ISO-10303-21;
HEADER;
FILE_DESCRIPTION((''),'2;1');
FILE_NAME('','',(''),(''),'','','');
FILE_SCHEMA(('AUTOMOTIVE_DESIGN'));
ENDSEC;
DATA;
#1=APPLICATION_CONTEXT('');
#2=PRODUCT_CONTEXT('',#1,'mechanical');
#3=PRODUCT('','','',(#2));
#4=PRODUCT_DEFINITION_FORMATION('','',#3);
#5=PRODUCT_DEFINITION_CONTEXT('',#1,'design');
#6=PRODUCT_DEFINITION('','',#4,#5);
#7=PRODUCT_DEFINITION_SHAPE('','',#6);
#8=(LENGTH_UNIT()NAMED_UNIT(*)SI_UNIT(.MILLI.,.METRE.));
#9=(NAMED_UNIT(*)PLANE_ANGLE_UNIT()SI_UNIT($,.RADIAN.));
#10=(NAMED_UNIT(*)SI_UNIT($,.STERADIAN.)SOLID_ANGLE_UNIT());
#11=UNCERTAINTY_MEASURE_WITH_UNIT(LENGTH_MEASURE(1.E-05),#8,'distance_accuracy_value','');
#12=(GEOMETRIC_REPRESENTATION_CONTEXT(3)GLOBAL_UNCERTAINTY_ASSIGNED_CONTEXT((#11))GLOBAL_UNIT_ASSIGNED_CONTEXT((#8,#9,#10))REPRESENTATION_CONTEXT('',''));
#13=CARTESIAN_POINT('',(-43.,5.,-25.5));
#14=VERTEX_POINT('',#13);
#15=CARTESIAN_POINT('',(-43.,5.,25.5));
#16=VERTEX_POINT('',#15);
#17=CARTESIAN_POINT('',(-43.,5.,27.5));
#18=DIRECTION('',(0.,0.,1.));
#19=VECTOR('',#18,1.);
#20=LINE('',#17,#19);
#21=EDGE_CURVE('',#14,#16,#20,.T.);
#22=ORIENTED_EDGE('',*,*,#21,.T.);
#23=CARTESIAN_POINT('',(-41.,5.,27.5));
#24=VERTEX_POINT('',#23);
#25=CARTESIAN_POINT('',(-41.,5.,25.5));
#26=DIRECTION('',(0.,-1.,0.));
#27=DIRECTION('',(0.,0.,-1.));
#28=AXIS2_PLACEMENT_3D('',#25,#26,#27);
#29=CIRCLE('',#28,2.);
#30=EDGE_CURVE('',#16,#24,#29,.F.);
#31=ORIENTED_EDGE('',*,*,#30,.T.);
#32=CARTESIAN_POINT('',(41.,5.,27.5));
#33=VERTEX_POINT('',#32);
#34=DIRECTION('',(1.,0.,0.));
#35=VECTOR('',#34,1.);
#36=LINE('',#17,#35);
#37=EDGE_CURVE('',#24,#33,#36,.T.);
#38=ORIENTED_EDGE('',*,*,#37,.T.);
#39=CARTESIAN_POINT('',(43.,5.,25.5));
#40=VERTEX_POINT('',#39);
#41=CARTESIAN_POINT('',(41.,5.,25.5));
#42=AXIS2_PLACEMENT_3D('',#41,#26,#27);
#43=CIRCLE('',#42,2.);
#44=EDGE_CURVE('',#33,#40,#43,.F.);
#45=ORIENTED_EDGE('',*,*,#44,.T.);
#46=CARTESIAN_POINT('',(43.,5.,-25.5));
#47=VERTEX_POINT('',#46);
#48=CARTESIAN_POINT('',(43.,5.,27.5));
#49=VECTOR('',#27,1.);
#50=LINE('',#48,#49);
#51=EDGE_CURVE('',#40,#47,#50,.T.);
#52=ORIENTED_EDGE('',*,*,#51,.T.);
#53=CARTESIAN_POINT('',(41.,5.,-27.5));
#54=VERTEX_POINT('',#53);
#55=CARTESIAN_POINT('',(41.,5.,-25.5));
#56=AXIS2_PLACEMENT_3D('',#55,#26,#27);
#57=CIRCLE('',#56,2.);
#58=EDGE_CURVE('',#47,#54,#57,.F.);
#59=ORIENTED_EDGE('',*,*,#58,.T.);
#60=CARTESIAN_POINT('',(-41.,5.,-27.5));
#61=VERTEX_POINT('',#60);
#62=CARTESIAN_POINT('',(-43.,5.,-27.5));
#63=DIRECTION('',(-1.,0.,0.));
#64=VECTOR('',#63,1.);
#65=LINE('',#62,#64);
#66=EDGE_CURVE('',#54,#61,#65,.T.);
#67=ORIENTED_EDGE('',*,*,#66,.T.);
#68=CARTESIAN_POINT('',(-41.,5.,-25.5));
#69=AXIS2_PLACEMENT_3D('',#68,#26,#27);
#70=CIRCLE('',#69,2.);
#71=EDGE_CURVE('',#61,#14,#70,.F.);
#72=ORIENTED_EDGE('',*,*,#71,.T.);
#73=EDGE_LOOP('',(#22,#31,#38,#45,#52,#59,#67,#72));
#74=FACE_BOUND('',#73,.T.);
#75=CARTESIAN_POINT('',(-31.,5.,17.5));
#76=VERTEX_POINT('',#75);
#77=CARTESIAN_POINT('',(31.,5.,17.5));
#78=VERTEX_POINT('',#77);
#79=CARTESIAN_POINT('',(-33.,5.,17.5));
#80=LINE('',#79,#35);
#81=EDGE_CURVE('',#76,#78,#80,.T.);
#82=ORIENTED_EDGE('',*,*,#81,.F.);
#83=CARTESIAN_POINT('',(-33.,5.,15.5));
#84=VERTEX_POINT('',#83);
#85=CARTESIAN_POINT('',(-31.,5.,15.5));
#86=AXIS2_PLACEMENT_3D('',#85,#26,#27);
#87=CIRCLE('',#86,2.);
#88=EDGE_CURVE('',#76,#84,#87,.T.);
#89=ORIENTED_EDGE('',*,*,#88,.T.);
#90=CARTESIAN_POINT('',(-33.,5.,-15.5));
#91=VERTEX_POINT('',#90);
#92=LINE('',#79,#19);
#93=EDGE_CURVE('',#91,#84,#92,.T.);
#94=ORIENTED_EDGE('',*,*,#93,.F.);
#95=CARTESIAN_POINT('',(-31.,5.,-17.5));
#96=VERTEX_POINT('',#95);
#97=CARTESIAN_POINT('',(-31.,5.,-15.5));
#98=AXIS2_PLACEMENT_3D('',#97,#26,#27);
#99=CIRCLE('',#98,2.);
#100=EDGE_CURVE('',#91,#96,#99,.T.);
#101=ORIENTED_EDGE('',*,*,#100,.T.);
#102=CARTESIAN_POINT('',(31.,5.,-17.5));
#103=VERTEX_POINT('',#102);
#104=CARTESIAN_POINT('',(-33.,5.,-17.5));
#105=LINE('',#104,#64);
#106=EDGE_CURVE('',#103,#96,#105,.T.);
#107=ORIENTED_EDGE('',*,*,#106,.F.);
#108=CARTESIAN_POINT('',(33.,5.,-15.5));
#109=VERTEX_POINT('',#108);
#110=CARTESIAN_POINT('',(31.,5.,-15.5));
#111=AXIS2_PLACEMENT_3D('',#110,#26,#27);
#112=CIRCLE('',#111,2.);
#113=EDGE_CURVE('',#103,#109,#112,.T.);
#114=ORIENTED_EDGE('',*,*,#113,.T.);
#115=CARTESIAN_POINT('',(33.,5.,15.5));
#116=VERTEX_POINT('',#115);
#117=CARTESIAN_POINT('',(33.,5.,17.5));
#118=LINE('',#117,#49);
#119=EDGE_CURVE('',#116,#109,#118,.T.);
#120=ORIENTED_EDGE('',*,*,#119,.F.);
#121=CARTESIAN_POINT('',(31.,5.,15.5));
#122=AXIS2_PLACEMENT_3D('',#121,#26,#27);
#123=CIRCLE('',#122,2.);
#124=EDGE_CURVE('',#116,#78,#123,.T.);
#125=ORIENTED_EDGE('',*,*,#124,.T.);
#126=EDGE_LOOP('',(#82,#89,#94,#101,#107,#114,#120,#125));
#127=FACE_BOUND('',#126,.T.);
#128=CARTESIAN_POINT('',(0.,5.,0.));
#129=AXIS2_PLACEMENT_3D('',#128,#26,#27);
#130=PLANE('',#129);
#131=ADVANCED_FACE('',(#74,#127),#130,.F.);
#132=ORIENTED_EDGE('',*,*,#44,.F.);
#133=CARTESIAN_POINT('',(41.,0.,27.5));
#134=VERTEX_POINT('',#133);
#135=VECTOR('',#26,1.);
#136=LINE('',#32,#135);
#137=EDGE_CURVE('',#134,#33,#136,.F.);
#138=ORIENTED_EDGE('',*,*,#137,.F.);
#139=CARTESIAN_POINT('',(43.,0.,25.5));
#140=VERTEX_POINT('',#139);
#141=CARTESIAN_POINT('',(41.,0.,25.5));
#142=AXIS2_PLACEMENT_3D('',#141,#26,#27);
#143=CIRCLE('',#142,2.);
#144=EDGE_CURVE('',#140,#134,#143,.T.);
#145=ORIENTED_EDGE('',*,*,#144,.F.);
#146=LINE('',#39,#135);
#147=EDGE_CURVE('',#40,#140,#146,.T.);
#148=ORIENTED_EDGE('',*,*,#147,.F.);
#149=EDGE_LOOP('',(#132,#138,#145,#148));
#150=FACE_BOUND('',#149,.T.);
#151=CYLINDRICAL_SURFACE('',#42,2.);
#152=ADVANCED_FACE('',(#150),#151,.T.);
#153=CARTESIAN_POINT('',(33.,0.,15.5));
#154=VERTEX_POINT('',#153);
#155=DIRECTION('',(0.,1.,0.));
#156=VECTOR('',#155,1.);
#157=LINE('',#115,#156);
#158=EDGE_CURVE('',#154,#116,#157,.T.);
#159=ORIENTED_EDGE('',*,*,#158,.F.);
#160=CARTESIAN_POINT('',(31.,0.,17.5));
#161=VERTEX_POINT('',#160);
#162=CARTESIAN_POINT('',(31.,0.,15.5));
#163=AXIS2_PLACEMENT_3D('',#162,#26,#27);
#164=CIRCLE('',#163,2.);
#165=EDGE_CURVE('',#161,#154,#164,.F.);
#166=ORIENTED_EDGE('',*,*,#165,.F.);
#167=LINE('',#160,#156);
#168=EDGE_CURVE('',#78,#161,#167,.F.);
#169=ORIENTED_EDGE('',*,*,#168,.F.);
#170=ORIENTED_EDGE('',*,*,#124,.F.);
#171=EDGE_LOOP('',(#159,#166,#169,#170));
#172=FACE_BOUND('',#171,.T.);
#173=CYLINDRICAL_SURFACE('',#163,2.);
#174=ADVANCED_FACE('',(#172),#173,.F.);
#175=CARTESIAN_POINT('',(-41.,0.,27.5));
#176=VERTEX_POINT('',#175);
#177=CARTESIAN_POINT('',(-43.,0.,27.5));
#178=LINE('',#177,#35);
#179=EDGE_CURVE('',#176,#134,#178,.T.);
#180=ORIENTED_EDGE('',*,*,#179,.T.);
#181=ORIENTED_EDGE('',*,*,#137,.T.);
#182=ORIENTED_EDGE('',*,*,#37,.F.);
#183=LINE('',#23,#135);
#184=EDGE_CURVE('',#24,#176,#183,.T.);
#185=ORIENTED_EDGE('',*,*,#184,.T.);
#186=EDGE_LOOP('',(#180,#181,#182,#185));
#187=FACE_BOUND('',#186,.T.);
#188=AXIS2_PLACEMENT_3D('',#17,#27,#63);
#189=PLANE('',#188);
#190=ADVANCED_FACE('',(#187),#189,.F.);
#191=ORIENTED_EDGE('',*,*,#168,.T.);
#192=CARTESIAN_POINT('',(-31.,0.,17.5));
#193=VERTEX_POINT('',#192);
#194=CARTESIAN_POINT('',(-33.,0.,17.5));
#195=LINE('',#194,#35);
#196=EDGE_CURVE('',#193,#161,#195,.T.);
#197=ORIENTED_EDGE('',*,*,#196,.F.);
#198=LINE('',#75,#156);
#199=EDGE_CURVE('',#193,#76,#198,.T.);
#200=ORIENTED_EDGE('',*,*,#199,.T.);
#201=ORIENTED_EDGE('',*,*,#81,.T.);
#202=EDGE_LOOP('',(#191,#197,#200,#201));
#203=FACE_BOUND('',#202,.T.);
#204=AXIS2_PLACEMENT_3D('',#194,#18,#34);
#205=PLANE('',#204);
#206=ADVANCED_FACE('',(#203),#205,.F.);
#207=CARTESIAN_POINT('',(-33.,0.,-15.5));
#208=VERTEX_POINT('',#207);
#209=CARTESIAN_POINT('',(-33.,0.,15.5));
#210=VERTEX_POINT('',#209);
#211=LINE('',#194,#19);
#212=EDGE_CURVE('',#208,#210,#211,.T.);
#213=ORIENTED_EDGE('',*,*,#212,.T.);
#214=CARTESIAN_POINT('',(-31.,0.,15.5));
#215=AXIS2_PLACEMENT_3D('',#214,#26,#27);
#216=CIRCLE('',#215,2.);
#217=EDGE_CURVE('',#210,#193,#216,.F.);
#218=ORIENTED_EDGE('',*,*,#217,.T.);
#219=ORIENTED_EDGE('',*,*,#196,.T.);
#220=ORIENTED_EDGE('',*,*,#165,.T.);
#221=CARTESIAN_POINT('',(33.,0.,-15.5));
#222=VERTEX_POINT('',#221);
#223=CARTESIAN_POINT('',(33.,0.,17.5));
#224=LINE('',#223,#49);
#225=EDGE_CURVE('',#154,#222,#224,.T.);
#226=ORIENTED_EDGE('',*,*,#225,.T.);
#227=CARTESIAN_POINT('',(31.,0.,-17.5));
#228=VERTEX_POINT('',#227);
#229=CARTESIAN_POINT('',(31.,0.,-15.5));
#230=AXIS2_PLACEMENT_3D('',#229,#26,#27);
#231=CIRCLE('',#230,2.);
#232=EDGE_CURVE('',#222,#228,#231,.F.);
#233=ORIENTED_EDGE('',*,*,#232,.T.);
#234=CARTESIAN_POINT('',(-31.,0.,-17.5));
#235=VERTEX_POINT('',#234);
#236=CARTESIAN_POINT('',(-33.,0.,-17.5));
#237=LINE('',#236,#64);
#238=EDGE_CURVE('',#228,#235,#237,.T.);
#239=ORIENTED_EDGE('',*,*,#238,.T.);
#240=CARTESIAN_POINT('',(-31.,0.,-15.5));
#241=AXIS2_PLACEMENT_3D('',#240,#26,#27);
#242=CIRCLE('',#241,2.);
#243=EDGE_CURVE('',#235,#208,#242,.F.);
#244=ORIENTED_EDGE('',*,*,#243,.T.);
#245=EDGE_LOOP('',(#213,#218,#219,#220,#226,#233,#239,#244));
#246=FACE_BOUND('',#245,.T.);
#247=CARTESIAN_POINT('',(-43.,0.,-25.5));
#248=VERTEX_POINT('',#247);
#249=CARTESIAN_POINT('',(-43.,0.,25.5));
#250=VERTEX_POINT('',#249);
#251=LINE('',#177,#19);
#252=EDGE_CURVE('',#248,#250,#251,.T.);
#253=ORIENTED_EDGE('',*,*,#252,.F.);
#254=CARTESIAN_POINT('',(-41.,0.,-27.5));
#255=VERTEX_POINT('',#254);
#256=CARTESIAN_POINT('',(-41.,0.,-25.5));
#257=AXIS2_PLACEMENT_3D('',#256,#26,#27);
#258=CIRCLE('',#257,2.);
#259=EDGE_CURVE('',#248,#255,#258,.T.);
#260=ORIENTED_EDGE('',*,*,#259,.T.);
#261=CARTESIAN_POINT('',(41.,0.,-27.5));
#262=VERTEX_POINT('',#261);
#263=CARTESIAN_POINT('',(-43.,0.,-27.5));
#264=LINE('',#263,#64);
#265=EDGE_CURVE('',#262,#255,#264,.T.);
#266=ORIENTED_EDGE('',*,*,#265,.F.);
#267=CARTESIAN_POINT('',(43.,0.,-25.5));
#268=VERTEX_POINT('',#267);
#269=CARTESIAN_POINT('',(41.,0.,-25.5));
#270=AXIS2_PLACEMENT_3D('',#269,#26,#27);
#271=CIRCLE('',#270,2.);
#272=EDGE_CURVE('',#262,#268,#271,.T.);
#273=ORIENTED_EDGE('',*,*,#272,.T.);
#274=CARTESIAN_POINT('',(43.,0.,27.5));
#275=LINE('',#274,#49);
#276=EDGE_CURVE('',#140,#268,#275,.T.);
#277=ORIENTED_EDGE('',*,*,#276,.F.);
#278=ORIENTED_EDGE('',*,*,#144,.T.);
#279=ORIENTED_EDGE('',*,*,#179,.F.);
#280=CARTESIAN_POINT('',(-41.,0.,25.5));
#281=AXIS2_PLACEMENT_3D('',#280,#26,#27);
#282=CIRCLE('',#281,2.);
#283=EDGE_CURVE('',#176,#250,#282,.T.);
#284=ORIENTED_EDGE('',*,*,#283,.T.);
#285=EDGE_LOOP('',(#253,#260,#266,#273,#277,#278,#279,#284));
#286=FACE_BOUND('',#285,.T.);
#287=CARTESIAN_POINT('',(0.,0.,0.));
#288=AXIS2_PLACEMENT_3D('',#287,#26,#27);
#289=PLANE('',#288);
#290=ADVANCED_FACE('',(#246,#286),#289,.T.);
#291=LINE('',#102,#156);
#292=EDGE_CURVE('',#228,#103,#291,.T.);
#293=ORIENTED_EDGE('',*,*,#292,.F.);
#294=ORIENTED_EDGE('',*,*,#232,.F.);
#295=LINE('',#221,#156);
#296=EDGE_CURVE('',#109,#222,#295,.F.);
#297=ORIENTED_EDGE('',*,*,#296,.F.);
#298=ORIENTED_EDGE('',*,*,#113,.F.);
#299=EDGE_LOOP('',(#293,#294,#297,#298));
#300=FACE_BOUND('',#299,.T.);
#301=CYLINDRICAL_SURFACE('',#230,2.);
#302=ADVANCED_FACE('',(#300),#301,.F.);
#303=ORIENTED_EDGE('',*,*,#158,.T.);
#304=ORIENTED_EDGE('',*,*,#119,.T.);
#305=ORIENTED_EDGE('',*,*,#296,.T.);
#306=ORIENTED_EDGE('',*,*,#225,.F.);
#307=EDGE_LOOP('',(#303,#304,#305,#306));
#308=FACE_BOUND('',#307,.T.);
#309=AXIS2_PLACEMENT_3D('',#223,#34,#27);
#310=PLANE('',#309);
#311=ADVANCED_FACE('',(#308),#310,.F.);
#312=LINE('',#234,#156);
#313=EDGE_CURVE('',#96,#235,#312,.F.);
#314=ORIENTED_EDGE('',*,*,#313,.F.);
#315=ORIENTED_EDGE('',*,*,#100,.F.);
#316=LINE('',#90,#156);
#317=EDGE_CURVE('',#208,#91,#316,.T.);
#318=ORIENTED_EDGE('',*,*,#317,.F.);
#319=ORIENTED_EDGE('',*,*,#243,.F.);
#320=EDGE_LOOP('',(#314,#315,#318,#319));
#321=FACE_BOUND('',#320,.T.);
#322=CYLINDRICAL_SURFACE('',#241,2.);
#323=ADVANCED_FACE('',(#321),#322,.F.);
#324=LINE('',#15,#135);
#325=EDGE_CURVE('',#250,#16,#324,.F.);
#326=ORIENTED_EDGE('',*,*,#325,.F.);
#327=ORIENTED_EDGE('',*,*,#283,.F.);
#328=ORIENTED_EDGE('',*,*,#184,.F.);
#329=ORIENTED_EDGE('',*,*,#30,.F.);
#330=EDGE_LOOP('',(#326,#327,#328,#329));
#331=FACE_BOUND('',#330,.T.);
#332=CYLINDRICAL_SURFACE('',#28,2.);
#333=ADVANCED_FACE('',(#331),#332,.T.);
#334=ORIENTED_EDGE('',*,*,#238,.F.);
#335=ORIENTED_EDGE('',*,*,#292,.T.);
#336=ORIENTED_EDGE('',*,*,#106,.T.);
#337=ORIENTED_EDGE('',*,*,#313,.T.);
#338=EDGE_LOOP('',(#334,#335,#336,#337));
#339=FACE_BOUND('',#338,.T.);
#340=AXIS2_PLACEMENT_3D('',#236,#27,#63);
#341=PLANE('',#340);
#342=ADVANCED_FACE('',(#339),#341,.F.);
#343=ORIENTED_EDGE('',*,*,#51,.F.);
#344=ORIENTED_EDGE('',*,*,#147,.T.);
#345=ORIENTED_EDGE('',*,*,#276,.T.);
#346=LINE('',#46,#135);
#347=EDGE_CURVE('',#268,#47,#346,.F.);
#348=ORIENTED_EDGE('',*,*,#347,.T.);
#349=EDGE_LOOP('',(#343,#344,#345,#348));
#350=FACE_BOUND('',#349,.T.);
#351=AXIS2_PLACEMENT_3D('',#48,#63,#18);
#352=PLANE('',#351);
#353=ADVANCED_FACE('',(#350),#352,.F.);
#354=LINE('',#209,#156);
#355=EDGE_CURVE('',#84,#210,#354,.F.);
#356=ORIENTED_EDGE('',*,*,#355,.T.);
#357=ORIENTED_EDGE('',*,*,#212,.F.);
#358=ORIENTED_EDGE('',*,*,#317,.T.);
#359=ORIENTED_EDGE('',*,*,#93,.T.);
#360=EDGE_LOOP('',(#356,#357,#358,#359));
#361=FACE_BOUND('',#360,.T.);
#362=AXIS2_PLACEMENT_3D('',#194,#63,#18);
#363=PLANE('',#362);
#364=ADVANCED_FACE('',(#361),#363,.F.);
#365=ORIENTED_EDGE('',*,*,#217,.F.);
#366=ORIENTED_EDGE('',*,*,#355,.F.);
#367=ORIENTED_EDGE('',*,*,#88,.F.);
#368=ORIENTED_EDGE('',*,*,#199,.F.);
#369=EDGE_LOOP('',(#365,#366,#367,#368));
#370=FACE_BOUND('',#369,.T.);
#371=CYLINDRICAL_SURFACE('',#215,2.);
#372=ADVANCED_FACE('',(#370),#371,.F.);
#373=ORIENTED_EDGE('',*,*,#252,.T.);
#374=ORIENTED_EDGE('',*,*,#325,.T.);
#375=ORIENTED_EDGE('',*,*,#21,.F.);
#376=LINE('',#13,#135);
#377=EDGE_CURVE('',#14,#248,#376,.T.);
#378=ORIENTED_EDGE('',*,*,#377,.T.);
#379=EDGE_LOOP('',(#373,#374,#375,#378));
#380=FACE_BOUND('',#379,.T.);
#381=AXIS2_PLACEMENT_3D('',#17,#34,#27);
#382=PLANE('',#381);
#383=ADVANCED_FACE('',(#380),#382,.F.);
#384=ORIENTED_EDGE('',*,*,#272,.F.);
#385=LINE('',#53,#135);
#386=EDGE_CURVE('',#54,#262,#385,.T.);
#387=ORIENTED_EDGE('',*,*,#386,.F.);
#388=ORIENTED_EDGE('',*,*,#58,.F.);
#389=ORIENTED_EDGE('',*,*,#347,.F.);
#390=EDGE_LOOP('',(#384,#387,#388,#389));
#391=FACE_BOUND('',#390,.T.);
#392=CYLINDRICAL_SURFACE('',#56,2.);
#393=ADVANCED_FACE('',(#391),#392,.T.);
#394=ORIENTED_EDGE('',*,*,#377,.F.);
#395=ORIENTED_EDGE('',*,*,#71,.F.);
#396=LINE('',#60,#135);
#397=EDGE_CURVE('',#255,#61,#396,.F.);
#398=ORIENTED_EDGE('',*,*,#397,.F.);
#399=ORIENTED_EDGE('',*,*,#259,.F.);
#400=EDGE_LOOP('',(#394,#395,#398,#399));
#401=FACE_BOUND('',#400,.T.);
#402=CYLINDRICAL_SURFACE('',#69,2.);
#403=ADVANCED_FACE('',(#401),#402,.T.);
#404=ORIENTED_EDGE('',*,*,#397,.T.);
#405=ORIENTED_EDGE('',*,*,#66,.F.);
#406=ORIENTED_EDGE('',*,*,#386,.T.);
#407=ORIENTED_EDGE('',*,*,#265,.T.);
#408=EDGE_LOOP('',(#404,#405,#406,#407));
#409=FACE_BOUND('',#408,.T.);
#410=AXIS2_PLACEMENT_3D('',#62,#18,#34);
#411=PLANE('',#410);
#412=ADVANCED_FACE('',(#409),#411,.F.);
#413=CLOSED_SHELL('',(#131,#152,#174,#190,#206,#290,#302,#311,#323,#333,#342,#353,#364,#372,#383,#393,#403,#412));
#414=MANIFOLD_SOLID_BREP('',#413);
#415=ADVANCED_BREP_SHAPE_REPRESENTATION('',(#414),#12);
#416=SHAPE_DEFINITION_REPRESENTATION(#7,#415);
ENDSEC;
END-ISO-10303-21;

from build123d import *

# Parameters (mm, degrees)
SKETCH1_W           = 86
SKETCH1_H           = 55
BOSS_EXTRUDE1_DEPTH = 5
SKETCH2_R           = 7.5
CUT_EXTRUDE1_DEPTH  = 52.285962992
SKETCH3_W           = 66
SKETCH3_H           = 35
CUT_EXTRUDE2_DEPTH  = 52.285962992
FILLET1_R           = 2


with BuildPart() as part:
    # Sketch1 → Boss-Extrude1 (new body)
    with BuildSketch(Plane(origin=(0, 0, 0), x_dir=(1, 0, 0), z_dir=(0, 1, 0))):
        Rectangle(SKETCH1_W, SKETCH1_H)
    extrude(amount=BOSS_EXTRUDE1_DEPTH)

    # Sketch2 → Cut-Extrude1 (cut, through all)
    with BuildSketch(Plane(origin=(0, 5, 0), x_dir=(1, 0, 0), z_dir=(0, 1, 0))):
        with Locations(Location((19, -2.5, 0), (0, 0, 270))):
            Circle(SKETCH2_R)
    extrude(amount=-CUT_EXTRUDE1_DEPTH, mode=Mode.SUBTRACT)

    # Sketch3 → Cut-Extrude2 (cut, through all)
    with BuildSketch(Plane(origin=(0, 5, 0), x_dir=(1, 0, 0), z_dir=(0, 1, 0))):
        Rectangle(SKETCH3_W, SKETCH3_H)
    extrude(amount=-CUT_EXTRUDE2_DEPTH, mode=Mode.SUBTRACT)

    # Fillet1
    fillet1_edges = [part.edges().sort_by_distance(p)[0] for p in [
        (33, 2.5, -17.5),
        (33, 2.5, 17.5),
        (-33, 2.5, 17.5),
        (-33, 2.5, -17.5),
        (43, 2.5, 27.5),
        (-43, 2.5, 27.5),
        (-43, 2.5, -27.5),
        (43, 2.5, -27.5),
    ]]
    fillet(fillet1_edges, radius=FILLET1_R)


solid = part.part
